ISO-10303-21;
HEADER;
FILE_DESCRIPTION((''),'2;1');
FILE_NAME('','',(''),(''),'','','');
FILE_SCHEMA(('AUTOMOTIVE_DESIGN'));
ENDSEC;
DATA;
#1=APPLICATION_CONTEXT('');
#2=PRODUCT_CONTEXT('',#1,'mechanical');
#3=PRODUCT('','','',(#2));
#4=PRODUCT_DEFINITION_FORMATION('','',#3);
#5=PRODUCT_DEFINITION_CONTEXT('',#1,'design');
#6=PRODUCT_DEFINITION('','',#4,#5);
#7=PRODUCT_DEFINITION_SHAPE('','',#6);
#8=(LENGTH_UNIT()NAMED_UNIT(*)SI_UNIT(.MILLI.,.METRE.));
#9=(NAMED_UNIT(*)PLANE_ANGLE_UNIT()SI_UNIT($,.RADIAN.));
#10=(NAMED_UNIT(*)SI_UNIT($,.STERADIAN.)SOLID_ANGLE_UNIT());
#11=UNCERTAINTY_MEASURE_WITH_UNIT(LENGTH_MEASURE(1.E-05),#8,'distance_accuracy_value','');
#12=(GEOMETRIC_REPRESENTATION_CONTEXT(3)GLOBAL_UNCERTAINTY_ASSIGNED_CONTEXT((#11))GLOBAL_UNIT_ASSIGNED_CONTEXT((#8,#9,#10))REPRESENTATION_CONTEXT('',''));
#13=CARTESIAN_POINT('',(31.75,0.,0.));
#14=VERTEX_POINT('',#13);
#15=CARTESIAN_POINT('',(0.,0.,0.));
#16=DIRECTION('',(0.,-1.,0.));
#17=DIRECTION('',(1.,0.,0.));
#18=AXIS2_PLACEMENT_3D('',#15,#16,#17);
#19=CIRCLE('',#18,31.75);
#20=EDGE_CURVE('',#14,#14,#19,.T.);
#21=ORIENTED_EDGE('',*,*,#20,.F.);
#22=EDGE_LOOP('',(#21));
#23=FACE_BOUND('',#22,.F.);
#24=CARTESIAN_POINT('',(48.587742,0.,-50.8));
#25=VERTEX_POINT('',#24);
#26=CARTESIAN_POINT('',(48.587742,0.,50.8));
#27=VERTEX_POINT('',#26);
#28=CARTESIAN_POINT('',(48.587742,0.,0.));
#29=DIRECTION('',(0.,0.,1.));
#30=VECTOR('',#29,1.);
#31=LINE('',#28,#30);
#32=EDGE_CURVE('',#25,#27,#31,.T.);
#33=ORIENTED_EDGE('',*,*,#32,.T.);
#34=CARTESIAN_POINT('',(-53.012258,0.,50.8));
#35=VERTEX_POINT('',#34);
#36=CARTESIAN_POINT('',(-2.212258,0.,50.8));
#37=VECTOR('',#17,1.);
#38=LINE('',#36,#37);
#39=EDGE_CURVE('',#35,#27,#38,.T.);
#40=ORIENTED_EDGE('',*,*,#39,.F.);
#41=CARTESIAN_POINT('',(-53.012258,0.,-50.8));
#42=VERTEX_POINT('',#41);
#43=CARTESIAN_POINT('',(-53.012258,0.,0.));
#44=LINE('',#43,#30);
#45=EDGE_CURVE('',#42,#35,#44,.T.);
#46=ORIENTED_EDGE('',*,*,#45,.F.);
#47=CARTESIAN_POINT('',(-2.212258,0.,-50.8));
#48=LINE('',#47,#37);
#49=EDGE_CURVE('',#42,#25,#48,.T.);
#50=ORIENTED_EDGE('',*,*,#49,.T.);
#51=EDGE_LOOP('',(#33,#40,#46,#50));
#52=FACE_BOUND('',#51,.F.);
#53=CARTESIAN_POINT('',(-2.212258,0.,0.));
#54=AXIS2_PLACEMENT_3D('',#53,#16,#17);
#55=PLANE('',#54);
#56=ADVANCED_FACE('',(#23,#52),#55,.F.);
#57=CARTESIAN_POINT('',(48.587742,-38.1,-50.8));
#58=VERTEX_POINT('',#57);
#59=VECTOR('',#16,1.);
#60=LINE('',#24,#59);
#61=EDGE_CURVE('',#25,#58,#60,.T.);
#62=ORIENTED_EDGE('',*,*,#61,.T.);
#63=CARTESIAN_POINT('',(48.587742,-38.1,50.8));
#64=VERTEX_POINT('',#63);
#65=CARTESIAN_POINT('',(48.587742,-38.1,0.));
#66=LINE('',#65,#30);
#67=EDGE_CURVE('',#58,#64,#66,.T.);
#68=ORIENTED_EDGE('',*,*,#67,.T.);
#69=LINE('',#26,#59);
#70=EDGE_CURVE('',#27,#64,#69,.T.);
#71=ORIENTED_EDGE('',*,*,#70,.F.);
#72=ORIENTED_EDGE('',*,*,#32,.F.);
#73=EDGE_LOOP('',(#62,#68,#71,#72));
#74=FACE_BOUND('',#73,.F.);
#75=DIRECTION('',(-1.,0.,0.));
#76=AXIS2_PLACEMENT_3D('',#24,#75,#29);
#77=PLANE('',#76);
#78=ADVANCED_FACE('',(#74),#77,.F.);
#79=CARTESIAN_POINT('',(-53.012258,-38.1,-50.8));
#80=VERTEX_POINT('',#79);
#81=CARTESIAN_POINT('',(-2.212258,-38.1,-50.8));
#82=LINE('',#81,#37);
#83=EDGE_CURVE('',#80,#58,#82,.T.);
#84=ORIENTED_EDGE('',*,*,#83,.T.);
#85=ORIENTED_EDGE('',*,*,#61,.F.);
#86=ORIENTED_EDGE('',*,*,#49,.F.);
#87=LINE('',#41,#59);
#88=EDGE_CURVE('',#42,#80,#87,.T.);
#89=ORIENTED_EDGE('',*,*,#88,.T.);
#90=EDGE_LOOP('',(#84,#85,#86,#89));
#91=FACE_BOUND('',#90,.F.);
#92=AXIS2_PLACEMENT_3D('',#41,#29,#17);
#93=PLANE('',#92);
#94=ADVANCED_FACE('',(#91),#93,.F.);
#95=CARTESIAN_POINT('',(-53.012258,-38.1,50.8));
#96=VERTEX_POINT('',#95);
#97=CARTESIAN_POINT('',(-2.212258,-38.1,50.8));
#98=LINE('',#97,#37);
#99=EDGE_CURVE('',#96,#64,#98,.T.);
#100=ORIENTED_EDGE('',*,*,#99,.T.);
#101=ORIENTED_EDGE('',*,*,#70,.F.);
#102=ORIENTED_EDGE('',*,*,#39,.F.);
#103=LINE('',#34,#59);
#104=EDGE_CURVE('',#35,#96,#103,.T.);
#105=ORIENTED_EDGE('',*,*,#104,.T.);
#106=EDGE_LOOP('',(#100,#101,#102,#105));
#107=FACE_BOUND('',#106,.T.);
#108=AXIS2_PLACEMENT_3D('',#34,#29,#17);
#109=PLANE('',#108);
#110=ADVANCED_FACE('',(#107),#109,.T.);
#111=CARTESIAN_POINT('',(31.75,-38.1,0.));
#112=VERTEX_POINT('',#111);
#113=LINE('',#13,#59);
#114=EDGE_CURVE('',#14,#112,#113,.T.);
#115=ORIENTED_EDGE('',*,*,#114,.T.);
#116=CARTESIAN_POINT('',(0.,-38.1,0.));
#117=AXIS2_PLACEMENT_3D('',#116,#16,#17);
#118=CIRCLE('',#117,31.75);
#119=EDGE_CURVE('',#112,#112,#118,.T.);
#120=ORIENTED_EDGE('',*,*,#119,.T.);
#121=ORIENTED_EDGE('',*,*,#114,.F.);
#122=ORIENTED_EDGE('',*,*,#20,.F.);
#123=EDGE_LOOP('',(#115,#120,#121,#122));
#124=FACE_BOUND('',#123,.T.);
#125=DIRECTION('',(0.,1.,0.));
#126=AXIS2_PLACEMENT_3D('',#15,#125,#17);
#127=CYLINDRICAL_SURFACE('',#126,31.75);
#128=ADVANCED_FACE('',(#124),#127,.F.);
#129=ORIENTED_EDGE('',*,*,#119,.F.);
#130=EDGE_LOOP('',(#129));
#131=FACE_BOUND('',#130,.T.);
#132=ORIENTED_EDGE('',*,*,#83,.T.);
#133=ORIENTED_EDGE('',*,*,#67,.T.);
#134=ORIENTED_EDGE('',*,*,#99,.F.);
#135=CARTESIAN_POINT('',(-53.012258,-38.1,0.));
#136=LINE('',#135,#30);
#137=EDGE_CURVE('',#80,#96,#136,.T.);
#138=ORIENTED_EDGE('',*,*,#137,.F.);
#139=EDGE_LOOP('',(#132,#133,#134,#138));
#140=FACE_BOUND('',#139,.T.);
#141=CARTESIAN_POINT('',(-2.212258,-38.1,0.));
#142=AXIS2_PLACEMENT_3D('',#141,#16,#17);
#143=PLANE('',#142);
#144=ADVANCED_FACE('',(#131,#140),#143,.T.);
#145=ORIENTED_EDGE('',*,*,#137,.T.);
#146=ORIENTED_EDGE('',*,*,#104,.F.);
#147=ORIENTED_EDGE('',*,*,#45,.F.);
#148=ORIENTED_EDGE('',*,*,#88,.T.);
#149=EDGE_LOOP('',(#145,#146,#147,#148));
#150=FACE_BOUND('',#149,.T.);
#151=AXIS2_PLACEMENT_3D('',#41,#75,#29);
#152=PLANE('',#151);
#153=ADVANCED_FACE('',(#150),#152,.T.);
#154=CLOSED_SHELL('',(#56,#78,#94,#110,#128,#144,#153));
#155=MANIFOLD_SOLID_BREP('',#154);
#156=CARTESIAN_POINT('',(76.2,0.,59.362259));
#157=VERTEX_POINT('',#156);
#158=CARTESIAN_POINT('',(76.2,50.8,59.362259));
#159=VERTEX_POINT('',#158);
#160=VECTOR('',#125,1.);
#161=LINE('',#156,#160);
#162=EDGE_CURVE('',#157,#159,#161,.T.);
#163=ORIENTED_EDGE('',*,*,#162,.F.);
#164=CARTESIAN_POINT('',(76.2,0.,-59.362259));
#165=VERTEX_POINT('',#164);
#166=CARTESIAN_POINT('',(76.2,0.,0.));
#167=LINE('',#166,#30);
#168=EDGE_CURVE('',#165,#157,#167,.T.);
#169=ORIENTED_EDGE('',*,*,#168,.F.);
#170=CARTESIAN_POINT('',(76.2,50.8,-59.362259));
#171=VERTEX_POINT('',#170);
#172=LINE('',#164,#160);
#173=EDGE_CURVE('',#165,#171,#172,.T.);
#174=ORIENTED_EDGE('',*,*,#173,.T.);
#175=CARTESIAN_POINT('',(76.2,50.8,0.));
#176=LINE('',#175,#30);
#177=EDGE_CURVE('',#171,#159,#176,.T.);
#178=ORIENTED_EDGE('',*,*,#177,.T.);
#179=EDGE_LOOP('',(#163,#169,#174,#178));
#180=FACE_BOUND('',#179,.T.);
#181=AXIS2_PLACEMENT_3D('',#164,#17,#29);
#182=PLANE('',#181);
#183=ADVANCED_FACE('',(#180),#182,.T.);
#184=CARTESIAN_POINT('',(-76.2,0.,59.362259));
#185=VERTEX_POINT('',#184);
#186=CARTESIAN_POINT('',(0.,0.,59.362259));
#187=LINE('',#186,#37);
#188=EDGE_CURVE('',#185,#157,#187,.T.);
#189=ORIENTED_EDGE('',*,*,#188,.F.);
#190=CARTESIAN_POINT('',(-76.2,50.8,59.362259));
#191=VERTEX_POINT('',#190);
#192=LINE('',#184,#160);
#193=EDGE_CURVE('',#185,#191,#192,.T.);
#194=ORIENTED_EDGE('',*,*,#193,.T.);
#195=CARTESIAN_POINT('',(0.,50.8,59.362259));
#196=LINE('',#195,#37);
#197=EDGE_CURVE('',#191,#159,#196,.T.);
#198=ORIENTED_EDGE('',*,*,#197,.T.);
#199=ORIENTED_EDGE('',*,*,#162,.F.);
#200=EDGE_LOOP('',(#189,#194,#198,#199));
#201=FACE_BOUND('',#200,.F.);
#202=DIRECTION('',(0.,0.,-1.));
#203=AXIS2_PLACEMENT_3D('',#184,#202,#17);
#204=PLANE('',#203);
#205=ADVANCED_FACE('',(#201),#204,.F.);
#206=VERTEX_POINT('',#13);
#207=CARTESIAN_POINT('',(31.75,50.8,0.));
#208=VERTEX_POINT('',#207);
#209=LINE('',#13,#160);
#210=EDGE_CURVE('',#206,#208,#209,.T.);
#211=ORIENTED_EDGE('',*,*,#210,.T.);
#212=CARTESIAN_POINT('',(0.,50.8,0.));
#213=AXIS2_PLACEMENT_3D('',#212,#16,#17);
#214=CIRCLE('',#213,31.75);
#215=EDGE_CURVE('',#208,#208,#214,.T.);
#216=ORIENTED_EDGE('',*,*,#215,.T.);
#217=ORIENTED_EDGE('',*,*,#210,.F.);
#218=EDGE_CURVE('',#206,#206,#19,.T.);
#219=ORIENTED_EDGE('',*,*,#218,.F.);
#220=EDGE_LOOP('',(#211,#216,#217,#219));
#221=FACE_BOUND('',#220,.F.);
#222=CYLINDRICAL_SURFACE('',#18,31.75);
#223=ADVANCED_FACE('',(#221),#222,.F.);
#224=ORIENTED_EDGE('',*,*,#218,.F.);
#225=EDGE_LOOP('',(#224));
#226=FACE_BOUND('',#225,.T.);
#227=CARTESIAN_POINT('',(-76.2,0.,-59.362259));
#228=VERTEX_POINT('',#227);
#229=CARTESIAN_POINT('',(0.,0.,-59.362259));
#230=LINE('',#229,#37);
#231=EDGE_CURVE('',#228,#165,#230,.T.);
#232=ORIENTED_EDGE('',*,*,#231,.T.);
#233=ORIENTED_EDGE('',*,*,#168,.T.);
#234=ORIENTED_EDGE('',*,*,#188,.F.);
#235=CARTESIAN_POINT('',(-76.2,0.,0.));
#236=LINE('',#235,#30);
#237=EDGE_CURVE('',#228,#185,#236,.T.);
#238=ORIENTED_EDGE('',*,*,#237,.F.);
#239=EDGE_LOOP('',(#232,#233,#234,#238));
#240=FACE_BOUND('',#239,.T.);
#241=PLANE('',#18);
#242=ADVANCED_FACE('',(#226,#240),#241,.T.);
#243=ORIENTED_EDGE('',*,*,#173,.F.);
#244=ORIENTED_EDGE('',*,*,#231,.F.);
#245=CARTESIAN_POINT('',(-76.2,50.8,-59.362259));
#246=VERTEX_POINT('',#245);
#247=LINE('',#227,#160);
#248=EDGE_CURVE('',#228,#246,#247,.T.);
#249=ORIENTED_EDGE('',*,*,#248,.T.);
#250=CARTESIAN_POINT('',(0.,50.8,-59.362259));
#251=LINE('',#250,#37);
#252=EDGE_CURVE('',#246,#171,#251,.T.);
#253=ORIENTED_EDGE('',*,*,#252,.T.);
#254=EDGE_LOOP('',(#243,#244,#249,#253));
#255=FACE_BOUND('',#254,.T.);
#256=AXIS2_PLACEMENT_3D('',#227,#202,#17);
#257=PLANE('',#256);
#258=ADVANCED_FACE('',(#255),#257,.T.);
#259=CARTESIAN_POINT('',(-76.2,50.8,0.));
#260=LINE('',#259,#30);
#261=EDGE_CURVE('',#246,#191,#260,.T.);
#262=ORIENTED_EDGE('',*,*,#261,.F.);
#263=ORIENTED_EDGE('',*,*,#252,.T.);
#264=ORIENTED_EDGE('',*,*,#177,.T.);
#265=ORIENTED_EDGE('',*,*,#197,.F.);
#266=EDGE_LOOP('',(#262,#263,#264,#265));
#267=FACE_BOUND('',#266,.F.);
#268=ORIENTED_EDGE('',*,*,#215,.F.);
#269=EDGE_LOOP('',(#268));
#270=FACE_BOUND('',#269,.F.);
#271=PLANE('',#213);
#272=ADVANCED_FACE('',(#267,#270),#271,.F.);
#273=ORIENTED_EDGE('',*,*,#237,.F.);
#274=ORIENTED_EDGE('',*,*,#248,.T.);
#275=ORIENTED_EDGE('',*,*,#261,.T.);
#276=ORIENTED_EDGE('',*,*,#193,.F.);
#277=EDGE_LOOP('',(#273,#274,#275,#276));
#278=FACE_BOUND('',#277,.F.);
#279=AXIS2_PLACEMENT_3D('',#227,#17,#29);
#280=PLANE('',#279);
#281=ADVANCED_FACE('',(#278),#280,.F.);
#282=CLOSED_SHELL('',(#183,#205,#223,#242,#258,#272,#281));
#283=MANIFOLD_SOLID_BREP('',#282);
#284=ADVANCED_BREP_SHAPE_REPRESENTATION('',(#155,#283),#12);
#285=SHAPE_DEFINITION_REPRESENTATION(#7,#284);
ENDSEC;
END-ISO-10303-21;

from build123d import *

# Parameters (mm, degrees)
F0_W     = 101.6
F0_H     = 101.6
F0_R     = 31.75
F1_DEPTH = 38.1
F0_W_2   = 152.4
F0_H_2   = 118.724518
F2_DEPTH = 50.8


with BuildPart() as f1:
    # F0 (on Front) → F1 (new body)
    with BuildSketch(Plane.XZ):
        with Locations((-2.212258, 0)):
            Rectangle(F0_W, F0_H)
        Circle(F0_R, mode=Mode.SUBTRACT)
    extrude(amount=F1_DEPTH)


with BuildPart() as f2:
    # F0 (on Front) → F2 (new body)
    with BuildSketch(Plane.XZ):
        Rectangle(F0_W_2, F0_H_2)
        with Locations((-2.212258, 0)):
            Rectangle(F0_W, F0_H, mode=Mode.SUBTRACT)
        with Locations((-2.212258, 0)):
            Rectangle(F0_W, F0_H)
        Circle(F0_R, mode=Mode.SUBTRACT)
    extrude(amount=-F2_DEPTH)


solid = Compound([f1.part, f2.part])
